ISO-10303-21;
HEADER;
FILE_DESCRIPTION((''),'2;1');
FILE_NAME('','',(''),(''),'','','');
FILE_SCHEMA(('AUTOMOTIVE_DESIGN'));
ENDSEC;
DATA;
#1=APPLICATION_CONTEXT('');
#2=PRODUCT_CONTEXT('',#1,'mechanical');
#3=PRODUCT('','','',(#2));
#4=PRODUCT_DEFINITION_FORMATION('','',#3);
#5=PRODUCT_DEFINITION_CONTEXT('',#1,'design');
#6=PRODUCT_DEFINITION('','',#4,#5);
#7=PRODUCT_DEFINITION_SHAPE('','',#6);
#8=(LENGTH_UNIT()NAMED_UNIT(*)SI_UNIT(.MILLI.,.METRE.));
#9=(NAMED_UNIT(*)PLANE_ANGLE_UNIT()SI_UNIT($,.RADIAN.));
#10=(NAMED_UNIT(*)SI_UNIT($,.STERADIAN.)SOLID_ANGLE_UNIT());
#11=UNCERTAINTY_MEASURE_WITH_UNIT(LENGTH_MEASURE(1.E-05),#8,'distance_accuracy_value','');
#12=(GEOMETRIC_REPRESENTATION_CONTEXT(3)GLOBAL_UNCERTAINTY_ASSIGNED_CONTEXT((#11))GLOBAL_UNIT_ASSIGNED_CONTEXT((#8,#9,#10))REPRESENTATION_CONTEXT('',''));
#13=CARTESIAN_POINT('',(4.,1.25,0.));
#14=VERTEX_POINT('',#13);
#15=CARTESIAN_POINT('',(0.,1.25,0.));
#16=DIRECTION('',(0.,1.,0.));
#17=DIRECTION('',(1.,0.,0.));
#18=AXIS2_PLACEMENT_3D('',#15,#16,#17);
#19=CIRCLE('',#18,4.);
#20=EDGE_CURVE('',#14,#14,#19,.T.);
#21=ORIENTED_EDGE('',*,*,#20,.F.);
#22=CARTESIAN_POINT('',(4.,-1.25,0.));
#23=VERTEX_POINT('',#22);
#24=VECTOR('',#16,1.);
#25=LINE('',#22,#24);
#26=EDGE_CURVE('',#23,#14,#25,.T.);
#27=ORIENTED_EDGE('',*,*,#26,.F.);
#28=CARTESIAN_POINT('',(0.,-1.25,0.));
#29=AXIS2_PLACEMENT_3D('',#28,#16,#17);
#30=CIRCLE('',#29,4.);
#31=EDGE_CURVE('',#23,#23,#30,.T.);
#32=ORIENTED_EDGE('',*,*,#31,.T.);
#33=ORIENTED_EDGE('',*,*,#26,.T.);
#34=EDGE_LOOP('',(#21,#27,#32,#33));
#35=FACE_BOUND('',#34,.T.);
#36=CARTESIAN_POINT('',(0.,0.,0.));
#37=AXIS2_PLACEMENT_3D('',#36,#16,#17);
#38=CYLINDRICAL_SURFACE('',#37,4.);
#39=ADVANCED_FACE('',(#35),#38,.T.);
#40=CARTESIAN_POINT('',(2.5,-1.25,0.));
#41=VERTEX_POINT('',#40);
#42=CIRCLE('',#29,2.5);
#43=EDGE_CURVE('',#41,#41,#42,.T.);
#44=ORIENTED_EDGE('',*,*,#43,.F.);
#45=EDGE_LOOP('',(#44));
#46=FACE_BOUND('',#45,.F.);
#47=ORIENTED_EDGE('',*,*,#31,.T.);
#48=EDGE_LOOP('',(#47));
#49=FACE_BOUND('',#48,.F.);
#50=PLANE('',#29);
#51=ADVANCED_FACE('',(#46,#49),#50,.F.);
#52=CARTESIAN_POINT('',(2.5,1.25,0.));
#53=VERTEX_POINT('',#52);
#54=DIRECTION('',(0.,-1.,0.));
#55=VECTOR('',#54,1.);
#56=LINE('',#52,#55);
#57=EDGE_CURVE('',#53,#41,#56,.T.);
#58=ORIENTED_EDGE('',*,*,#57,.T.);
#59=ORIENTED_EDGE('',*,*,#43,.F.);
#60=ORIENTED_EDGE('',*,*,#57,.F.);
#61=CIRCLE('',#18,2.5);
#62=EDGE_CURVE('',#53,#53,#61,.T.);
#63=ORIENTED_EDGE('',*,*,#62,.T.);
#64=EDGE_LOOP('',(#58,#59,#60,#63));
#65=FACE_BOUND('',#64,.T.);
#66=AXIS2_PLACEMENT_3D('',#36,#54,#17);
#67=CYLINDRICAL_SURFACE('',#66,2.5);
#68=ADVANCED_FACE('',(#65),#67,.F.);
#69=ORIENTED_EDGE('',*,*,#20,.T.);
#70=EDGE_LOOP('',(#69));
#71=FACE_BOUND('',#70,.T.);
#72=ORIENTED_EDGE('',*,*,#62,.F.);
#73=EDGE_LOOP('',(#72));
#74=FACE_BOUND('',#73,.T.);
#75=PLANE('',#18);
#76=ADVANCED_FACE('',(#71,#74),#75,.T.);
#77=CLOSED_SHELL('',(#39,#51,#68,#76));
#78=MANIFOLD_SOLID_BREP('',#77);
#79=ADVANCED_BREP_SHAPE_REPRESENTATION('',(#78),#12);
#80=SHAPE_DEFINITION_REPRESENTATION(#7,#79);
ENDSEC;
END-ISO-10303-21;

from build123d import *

# Parameters (mm, degrees)
SKETCH1_R           = 4
SKETCH1_R_2         = 2.5
BOSS_EXTRUDE1_DEPTH = 1.25


with BuildPart() as part:
    # Sketch1 → Boss-Extrude1 (new body, symmetric)
    with BuildSketch(Plane(origin=(0, 0, 0), x_dir=(1, 0, 0), z_dir=(0, 1, 0))):
        Circle(SKETCH1_R)
        Circle(SKETCH1_R_2, mode=Mode.SUBTRACT)
    extrude(amount=BOSS_EXTRUDE1_DEPTH, both=True)


solid = part.part
